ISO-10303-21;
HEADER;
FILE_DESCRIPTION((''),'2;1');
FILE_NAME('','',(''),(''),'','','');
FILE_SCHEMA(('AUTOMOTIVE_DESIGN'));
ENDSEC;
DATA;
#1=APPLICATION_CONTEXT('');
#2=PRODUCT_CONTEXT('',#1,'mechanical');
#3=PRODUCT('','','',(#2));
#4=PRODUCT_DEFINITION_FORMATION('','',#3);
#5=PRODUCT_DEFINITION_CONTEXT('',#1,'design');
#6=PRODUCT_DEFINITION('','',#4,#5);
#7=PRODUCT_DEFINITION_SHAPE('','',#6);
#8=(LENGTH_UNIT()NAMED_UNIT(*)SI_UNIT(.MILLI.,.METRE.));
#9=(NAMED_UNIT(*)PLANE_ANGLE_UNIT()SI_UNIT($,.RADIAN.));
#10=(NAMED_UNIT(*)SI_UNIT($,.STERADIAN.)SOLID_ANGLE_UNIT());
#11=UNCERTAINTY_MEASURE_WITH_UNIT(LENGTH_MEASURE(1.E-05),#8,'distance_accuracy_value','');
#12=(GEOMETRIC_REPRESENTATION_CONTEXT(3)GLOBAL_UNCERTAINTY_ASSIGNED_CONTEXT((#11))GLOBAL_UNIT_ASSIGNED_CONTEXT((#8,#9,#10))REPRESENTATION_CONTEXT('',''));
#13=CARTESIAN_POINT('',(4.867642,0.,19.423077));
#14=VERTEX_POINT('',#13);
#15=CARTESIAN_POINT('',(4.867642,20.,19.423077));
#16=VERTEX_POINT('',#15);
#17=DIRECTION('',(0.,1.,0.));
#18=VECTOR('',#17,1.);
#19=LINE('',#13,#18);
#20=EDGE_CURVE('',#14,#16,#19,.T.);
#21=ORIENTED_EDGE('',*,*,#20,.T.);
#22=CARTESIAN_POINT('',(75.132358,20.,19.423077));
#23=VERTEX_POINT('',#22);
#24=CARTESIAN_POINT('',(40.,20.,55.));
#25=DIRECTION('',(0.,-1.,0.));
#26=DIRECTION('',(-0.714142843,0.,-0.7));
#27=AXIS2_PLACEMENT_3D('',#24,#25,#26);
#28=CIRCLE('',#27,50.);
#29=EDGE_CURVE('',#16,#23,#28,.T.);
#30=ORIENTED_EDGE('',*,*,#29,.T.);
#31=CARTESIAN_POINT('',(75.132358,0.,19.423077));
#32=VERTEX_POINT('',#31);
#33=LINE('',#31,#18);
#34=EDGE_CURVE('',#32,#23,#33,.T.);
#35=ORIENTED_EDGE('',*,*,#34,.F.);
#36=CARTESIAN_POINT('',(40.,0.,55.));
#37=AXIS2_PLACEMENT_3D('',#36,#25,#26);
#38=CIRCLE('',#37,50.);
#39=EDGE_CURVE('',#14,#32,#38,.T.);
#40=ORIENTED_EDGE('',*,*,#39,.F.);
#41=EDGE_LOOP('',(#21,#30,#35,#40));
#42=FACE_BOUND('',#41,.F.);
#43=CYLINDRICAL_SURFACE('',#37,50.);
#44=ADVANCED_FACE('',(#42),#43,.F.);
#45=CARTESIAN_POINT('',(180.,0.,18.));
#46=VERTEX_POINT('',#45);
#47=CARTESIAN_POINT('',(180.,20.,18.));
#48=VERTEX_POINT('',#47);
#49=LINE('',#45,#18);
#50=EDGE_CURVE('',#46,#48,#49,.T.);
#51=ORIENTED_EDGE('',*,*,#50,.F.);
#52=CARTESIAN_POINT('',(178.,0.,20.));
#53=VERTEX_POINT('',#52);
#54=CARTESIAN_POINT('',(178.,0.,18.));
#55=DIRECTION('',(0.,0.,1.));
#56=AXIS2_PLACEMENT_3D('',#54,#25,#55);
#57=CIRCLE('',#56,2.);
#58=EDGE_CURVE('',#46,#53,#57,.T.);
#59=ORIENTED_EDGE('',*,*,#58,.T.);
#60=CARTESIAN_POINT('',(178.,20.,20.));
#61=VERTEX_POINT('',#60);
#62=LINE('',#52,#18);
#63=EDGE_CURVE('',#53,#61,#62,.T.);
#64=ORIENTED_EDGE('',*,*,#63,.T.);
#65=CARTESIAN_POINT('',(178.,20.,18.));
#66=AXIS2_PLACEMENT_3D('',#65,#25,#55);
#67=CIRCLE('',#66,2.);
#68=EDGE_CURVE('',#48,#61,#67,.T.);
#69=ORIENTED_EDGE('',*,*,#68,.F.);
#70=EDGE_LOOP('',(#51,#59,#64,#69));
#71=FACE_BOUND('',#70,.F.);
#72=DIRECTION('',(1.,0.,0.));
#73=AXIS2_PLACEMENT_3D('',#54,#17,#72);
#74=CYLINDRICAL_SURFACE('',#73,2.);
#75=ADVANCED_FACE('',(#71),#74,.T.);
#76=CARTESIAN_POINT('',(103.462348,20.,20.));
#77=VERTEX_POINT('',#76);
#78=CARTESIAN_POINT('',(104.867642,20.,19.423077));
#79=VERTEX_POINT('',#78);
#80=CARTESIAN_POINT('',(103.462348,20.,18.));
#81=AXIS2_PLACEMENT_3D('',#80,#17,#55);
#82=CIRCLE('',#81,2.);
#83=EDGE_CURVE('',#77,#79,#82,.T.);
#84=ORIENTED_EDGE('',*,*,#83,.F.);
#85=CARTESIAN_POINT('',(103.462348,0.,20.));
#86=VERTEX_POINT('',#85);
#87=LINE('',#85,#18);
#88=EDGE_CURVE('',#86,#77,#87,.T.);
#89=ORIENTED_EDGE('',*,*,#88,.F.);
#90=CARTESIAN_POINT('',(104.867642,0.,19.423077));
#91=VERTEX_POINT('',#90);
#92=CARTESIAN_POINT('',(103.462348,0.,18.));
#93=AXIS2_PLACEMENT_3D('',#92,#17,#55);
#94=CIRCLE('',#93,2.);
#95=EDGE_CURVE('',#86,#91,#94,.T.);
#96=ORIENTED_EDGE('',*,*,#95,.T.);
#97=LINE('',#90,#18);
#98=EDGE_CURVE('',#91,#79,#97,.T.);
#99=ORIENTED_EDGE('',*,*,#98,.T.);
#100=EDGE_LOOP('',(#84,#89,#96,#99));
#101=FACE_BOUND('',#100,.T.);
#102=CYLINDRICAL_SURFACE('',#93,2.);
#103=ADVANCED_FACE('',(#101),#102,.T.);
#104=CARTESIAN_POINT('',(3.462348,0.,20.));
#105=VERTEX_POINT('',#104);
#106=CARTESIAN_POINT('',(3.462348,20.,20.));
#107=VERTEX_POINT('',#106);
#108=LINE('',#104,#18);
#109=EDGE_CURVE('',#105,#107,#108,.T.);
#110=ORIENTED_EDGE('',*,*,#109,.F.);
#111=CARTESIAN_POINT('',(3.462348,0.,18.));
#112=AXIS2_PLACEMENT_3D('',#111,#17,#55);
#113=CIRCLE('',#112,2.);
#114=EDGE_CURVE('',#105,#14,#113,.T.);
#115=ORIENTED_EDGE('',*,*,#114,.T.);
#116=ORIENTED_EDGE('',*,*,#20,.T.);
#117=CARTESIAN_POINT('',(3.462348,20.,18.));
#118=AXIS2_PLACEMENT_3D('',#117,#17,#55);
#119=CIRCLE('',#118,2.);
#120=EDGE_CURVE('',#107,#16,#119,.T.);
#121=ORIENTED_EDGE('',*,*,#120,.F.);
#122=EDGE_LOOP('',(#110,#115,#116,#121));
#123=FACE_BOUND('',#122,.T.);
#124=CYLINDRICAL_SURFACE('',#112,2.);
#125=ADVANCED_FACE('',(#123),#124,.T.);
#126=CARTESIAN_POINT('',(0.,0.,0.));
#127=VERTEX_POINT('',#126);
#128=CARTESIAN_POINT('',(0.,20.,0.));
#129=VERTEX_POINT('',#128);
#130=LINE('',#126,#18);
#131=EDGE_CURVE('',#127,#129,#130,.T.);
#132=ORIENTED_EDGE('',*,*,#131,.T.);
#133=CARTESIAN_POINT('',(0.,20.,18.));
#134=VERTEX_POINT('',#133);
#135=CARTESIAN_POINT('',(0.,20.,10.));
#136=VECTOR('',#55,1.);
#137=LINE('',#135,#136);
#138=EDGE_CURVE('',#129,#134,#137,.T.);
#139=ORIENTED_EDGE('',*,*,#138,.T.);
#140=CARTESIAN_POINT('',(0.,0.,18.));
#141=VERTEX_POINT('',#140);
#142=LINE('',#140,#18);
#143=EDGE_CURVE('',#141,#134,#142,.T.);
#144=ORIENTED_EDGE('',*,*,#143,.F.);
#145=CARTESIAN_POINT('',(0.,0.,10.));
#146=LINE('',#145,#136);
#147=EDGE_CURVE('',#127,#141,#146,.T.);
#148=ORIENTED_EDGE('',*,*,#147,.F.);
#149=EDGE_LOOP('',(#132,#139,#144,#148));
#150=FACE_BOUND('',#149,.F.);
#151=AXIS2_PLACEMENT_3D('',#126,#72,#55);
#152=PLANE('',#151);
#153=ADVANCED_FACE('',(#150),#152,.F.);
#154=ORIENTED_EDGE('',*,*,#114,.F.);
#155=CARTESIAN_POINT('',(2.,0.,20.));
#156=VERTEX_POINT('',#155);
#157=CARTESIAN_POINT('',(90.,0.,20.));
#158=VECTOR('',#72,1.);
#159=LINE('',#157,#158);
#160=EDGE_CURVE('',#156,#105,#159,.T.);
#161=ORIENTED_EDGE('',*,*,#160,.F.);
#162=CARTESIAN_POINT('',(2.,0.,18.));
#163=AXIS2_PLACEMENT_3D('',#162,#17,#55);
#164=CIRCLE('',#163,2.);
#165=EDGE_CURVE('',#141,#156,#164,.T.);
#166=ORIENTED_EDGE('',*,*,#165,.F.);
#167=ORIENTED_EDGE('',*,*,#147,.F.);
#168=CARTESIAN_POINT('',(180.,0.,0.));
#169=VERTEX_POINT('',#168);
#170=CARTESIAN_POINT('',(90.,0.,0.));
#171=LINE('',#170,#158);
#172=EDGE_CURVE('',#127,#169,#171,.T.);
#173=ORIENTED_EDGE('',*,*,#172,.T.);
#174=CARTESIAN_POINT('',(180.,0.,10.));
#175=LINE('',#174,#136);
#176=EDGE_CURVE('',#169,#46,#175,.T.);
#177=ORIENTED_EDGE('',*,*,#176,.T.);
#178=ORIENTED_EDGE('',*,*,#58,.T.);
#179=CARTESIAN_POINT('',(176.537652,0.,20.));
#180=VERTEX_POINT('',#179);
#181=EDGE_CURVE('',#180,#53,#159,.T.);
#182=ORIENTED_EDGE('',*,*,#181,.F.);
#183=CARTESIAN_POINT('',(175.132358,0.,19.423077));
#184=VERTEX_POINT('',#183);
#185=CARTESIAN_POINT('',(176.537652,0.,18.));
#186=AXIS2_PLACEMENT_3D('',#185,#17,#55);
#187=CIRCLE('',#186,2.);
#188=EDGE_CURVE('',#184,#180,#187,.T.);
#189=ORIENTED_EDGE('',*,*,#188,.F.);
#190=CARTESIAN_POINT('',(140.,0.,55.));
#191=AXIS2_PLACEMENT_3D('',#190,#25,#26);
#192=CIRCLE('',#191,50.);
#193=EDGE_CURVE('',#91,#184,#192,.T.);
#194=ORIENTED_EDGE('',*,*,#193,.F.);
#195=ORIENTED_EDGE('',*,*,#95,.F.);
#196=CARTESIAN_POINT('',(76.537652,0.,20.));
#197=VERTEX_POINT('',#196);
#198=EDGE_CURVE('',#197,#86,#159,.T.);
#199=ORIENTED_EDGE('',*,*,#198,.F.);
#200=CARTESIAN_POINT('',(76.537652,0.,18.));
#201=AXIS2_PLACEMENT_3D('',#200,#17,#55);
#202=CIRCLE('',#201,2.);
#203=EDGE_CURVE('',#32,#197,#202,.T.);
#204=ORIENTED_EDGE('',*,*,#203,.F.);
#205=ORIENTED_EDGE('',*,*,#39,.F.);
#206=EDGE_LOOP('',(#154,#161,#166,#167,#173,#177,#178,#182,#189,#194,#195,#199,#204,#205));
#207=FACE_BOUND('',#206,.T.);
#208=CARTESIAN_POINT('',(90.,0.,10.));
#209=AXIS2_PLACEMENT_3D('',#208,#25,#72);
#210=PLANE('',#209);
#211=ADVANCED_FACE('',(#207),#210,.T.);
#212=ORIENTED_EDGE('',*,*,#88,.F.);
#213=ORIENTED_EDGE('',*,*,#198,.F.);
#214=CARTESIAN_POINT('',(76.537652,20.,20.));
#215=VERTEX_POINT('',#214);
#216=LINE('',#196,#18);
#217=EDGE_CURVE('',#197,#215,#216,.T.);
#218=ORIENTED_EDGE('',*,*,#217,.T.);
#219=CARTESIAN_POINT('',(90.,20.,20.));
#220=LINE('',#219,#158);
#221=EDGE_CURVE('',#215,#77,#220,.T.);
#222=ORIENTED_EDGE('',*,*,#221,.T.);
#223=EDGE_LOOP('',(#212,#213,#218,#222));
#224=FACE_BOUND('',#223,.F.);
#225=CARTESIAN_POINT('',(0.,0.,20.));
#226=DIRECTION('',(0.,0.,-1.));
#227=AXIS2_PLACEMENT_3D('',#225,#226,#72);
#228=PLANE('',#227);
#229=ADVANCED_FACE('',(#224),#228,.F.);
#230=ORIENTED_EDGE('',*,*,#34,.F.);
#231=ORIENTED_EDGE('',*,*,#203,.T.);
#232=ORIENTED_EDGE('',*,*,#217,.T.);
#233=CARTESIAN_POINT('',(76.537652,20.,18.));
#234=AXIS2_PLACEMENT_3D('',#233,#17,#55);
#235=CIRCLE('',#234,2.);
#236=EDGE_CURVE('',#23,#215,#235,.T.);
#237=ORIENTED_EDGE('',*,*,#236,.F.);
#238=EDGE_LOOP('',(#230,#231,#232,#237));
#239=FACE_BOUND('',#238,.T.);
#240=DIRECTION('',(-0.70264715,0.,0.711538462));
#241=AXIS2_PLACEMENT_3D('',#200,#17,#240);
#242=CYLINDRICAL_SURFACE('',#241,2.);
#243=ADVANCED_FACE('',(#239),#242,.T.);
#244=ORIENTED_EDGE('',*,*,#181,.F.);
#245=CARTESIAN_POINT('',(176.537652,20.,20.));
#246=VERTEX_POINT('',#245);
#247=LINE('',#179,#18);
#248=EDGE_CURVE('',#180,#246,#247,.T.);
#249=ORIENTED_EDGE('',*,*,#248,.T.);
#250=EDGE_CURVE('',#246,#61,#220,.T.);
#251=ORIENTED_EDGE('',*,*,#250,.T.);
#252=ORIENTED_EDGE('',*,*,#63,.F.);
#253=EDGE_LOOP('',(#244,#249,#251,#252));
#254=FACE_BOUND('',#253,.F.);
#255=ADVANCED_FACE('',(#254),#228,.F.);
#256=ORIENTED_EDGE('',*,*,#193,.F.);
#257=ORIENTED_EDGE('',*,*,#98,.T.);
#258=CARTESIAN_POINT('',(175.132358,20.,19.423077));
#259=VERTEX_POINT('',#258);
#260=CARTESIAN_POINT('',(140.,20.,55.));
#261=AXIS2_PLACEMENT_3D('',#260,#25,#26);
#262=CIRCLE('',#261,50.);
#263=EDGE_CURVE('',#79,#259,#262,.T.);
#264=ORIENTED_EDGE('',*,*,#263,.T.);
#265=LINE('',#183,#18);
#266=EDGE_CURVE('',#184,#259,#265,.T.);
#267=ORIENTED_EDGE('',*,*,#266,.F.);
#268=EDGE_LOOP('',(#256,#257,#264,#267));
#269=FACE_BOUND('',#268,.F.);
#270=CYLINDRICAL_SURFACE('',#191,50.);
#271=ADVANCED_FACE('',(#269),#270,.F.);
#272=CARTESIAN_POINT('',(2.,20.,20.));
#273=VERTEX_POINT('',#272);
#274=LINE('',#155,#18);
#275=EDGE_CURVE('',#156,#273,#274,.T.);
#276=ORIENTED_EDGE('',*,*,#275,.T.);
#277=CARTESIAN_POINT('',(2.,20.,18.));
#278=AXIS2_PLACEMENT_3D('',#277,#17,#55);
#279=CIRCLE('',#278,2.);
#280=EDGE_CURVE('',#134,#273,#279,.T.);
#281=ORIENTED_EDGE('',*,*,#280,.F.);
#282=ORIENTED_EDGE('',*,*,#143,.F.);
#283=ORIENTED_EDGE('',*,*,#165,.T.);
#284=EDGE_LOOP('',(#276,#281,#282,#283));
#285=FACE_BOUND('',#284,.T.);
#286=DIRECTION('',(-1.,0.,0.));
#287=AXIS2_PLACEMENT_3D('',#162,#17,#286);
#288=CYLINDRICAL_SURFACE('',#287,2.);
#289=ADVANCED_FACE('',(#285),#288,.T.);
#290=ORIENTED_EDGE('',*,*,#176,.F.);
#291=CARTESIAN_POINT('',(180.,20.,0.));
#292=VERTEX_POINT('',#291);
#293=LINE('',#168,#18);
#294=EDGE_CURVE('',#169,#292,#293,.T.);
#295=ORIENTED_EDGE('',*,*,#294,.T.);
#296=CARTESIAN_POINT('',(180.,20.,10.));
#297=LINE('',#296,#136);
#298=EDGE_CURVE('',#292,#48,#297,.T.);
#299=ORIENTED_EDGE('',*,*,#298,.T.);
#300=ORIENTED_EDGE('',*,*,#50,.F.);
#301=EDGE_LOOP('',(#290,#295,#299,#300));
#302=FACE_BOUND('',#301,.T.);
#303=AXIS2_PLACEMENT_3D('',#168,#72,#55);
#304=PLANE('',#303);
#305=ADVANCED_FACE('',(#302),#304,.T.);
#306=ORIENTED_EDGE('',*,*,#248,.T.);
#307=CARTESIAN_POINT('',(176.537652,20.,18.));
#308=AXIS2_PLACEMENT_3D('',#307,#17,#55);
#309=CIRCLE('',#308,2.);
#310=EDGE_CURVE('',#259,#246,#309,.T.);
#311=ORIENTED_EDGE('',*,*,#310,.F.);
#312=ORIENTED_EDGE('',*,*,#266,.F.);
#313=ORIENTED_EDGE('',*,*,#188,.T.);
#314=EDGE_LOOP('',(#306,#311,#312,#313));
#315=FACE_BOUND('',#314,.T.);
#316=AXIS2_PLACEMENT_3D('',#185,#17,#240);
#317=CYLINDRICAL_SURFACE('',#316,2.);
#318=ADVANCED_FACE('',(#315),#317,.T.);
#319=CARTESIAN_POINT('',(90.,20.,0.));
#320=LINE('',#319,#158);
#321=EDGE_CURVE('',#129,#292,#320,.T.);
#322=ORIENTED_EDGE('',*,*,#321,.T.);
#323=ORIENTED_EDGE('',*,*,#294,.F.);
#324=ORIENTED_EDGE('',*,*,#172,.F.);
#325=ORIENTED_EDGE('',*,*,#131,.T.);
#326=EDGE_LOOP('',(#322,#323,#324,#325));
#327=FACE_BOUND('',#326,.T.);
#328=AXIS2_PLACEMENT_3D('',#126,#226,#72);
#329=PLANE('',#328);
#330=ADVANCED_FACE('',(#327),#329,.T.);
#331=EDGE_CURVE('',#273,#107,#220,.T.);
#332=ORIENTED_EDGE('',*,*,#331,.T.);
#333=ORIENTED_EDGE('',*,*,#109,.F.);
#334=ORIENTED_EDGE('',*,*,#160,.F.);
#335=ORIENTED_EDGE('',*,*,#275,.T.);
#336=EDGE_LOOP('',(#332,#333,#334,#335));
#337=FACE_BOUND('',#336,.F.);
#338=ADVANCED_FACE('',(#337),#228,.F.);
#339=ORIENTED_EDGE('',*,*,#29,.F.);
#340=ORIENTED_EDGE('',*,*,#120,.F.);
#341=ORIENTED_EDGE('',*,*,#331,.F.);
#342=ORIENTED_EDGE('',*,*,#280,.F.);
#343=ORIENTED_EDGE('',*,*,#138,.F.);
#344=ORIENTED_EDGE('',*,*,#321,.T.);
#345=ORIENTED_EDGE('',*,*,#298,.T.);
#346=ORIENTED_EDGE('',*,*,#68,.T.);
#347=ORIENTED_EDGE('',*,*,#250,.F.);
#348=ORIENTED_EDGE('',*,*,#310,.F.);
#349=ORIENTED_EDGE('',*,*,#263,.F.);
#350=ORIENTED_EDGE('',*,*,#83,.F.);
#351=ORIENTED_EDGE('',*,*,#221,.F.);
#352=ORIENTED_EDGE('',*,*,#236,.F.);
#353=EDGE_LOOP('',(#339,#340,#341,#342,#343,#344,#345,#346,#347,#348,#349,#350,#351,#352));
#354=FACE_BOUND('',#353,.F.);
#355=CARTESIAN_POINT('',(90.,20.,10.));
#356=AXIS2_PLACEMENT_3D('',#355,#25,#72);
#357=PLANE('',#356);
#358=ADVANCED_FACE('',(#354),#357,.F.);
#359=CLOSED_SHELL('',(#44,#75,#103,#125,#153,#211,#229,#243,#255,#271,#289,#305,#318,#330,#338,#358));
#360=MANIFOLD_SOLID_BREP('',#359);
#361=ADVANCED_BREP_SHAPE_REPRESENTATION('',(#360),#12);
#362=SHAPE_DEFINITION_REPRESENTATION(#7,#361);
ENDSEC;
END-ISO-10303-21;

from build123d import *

# Parameters (mm, degrees)
F0_W     = 180
F0_H     = 20
F1_DEPTH = 20
F3_DEPTH = 25
F4_R     = 2


with BuildPart() as f1:
    # F0 (on Front) → F1 (new body)
    with BuildSketch(Plane.XZ):
        with Locations((90, 10)):
            Rectangle(F0_W, F0_H)
    extrude(amount=-F1_DEPTH)

    # F2 (on face) → F3 (cut)
    with BuildSketch(Plane.XZ):
        with BuildLine():
            Line((75.7071421427, 20), (4.2928578573, 20))
            ThreePointArc((4.2928578573, 20), (40, 5), (75.7071421427, 20))
        make_face()
        with BuildLine():
            Line((175.7071421427, 20), (104.2928578573, 20))
            ThreePointArc((104.2928578573, 20), (140, 5), (175.7071421427, 20))
        make_face()
    extrude(amount=-F3_DEPTH, mode=Mode.SUBTRACT)

    # F4
    f4_edges = [f1.edges().sort_by_distance(p)[0] for p in [
        (0, 10, 20),
        (4.292858, 10, 20),
        (75.707142, 10, 20),
        (104.292858, 10, 20),
        (175.707142, 10, 20),
        (180, 10, 20),
    ]]
    fillet(f4_edges, radius=F4_R)


solid = f1.part
